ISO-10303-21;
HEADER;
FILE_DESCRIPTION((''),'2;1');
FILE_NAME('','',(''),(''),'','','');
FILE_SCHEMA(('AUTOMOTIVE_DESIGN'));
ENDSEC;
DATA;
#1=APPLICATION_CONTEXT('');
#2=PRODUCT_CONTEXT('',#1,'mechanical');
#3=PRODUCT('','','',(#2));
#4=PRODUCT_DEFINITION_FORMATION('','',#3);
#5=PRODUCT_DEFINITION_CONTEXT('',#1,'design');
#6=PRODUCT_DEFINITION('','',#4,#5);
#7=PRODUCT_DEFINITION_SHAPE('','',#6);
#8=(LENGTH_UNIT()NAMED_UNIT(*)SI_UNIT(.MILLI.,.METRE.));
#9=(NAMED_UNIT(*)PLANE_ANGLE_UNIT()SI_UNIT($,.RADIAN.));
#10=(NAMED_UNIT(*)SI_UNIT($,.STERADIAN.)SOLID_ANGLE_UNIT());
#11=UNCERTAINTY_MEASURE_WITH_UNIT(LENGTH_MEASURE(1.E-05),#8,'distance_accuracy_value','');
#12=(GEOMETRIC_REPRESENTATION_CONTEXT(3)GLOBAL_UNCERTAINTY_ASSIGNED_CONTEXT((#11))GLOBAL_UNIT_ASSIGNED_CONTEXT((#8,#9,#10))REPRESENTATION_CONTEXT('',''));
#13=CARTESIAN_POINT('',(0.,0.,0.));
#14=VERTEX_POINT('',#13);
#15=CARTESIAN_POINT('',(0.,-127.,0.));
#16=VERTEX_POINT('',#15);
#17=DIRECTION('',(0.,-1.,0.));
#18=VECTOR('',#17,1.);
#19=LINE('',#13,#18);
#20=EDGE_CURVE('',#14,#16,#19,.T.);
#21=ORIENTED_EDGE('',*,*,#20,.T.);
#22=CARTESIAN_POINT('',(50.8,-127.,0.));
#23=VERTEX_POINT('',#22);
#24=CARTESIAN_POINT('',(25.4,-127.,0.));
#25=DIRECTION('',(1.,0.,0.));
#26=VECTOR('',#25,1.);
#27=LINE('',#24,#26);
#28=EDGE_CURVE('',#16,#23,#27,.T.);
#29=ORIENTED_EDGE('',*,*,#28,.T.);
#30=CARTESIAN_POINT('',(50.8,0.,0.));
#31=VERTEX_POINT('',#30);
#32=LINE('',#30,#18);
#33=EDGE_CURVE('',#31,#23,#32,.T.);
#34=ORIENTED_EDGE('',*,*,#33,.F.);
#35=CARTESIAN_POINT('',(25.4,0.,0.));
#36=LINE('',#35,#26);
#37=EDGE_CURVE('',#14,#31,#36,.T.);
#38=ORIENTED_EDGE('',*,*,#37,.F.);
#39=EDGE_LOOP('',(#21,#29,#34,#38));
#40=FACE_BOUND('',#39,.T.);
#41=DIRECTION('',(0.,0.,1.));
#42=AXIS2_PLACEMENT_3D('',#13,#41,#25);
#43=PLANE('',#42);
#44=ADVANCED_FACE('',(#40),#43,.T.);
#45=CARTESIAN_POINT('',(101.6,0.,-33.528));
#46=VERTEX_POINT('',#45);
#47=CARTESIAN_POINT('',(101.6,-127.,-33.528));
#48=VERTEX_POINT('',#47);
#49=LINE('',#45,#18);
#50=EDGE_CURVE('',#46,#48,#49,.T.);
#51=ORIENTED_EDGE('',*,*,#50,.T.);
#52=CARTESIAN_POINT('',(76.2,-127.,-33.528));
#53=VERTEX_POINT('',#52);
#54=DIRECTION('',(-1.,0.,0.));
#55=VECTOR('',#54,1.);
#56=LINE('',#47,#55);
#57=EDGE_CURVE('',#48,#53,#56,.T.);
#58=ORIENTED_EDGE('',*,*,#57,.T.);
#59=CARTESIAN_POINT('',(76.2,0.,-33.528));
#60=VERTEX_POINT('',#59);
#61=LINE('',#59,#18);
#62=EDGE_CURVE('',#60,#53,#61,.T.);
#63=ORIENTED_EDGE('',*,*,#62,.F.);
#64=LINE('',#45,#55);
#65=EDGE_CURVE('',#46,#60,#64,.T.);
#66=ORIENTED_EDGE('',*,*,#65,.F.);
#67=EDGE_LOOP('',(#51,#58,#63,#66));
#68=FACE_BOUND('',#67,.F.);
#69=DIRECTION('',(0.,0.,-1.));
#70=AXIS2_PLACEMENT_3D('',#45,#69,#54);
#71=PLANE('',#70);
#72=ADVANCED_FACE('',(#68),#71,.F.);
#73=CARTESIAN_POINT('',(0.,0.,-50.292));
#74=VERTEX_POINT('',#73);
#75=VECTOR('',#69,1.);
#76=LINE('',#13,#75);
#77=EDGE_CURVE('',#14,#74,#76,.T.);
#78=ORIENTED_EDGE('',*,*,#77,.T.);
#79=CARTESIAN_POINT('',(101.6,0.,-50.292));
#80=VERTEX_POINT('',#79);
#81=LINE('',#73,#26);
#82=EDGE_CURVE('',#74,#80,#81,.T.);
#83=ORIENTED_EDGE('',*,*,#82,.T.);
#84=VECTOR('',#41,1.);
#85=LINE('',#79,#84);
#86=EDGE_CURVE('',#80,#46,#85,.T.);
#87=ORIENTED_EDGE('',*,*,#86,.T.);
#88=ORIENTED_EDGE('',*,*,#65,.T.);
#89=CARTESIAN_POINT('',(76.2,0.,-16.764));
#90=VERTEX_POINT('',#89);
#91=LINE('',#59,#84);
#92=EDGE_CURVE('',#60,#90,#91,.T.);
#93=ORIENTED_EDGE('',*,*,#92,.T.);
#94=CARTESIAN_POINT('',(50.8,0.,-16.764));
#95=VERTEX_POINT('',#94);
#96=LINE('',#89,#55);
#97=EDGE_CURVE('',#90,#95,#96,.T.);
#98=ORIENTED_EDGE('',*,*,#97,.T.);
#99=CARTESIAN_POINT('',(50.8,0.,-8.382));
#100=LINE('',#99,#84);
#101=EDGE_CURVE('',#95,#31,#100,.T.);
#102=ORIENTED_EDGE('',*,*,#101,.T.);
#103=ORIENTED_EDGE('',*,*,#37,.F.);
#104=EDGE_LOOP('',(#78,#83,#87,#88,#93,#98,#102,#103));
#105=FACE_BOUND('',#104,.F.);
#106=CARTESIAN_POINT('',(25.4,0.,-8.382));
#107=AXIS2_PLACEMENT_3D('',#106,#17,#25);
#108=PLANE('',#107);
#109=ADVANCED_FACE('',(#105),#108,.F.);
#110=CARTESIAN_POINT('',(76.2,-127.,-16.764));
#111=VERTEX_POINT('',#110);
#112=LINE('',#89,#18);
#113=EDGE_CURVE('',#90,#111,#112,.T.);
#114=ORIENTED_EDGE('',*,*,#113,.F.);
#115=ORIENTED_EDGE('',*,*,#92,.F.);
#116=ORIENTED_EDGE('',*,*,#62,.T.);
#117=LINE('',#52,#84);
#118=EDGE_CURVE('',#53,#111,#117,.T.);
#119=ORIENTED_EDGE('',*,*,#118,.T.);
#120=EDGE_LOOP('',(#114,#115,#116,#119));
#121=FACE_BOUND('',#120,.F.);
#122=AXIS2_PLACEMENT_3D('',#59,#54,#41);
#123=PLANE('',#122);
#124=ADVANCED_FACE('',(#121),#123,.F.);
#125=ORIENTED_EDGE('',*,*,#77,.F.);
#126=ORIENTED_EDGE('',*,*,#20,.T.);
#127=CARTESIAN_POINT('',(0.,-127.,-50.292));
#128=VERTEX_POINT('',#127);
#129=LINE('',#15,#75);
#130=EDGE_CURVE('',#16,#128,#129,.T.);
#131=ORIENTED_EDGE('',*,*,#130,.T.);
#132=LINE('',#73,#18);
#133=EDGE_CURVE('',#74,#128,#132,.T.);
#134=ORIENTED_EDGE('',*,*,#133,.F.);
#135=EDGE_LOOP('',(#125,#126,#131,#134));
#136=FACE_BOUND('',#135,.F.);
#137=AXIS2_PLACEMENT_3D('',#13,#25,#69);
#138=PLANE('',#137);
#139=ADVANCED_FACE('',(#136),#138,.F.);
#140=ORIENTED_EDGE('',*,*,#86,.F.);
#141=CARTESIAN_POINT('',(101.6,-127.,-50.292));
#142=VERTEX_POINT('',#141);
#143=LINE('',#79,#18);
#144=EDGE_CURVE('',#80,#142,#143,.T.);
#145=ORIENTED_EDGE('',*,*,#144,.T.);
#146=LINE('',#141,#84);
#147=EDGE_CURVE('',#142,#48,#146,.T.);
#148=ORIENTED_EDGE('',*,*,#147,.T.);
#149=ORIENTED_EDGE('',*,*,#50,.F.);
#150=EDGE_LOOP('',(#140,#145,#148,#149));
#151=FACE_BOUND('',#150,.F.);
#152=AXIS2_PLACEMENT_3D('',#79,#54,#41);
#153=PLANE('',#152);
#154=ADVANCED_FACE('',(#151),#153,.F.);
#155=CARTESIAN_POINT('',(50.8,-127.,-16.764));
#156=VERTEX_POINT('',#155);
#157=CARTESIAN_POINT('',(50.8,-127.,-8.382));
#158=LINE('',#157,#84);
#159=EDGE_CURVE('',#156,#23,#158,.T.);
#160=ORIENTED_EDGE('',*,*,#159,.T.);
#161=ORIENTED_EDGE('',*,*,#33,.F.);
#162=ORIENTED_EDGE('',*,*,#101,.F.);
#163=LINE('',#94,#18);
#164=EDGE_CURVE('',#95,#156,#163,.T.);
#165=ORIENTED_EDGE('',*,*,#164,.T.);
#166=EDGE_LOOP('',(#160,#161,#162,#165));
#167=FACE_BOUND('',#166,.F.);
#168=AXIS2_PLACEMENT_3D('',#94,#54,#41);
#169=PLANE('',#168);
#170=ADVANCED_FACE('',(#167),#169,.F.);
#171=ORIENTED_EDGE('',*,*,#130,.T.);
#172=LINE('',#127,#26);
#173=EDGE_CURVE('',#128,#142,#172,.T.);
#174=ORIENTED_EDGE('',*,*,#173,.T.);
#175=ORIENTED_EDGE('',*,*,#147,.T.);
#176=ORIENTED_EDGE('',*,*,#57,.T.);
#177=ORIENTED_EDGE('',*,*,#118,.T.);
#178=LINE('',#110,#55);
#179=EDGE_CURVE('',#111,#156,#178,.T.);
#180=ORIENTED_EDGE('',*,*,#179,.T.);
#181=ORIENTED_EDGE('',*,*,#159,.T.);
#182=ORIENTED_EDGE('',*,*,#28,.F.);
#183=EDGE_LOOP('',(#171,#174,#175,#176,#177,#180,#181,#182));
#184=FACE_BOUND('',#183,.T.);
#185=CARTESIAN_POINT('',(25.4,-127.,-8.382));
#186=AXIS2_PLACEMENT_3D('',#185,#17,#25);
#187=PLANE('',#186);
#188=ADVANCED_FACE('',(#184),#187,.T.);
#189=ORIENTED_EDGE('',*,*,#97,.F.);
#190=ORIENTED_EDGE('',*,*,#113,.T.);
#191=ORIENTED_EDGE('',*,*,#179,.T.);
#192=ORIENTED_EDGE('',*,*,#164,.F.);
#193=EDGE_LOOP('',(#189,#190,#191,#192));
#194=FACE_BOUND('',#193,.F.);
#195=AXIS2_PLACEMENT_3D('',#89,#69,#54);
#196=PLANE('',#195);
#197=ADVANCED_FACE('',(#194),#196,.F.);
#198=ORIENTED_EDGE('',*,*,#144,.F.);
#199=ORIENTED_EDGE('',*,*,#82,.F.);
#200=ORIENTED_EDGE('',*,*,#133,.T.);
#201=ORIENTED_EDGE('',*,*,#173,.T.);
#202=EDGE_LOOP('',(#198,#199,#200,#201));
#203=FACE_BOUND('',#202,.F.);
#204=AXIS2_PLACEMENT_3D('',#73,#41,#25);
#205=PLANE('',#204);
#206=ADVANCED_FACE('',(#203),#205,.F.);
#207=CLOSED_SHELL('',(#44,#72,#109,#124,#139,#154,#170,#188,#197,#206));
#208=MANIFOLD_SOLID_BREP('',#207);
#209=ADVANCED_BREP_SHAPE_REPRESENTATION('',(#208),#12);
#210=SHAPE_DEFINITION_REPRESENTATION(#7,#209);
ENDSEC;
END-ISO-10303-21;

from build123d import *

# Parameters (mm, degrees)
F0_W     = 50.8
F0_H     = 16.764
F1_DEPTH = 127


with BuildPart() as f1:
    # F0 (on Front) → F1 (new body)
    with BuildSketch(Plane.XZ):
        with Locations((25.4, -8.382)):
            Rectangle(F0_W, F0_H)
        Polygon((50.8, -16.764), (0, -16.764), (0, -33.528), (76.2, -33.528), (76.2, -16.764), align=None)
        Polygon((76.2, -33.528), (0, -33.528), (0, -50.292), (101.6, -50.292), (101.6, -33.528), align=None)
    extrude(amount=F1_DEPTH)


solid = f1.part
